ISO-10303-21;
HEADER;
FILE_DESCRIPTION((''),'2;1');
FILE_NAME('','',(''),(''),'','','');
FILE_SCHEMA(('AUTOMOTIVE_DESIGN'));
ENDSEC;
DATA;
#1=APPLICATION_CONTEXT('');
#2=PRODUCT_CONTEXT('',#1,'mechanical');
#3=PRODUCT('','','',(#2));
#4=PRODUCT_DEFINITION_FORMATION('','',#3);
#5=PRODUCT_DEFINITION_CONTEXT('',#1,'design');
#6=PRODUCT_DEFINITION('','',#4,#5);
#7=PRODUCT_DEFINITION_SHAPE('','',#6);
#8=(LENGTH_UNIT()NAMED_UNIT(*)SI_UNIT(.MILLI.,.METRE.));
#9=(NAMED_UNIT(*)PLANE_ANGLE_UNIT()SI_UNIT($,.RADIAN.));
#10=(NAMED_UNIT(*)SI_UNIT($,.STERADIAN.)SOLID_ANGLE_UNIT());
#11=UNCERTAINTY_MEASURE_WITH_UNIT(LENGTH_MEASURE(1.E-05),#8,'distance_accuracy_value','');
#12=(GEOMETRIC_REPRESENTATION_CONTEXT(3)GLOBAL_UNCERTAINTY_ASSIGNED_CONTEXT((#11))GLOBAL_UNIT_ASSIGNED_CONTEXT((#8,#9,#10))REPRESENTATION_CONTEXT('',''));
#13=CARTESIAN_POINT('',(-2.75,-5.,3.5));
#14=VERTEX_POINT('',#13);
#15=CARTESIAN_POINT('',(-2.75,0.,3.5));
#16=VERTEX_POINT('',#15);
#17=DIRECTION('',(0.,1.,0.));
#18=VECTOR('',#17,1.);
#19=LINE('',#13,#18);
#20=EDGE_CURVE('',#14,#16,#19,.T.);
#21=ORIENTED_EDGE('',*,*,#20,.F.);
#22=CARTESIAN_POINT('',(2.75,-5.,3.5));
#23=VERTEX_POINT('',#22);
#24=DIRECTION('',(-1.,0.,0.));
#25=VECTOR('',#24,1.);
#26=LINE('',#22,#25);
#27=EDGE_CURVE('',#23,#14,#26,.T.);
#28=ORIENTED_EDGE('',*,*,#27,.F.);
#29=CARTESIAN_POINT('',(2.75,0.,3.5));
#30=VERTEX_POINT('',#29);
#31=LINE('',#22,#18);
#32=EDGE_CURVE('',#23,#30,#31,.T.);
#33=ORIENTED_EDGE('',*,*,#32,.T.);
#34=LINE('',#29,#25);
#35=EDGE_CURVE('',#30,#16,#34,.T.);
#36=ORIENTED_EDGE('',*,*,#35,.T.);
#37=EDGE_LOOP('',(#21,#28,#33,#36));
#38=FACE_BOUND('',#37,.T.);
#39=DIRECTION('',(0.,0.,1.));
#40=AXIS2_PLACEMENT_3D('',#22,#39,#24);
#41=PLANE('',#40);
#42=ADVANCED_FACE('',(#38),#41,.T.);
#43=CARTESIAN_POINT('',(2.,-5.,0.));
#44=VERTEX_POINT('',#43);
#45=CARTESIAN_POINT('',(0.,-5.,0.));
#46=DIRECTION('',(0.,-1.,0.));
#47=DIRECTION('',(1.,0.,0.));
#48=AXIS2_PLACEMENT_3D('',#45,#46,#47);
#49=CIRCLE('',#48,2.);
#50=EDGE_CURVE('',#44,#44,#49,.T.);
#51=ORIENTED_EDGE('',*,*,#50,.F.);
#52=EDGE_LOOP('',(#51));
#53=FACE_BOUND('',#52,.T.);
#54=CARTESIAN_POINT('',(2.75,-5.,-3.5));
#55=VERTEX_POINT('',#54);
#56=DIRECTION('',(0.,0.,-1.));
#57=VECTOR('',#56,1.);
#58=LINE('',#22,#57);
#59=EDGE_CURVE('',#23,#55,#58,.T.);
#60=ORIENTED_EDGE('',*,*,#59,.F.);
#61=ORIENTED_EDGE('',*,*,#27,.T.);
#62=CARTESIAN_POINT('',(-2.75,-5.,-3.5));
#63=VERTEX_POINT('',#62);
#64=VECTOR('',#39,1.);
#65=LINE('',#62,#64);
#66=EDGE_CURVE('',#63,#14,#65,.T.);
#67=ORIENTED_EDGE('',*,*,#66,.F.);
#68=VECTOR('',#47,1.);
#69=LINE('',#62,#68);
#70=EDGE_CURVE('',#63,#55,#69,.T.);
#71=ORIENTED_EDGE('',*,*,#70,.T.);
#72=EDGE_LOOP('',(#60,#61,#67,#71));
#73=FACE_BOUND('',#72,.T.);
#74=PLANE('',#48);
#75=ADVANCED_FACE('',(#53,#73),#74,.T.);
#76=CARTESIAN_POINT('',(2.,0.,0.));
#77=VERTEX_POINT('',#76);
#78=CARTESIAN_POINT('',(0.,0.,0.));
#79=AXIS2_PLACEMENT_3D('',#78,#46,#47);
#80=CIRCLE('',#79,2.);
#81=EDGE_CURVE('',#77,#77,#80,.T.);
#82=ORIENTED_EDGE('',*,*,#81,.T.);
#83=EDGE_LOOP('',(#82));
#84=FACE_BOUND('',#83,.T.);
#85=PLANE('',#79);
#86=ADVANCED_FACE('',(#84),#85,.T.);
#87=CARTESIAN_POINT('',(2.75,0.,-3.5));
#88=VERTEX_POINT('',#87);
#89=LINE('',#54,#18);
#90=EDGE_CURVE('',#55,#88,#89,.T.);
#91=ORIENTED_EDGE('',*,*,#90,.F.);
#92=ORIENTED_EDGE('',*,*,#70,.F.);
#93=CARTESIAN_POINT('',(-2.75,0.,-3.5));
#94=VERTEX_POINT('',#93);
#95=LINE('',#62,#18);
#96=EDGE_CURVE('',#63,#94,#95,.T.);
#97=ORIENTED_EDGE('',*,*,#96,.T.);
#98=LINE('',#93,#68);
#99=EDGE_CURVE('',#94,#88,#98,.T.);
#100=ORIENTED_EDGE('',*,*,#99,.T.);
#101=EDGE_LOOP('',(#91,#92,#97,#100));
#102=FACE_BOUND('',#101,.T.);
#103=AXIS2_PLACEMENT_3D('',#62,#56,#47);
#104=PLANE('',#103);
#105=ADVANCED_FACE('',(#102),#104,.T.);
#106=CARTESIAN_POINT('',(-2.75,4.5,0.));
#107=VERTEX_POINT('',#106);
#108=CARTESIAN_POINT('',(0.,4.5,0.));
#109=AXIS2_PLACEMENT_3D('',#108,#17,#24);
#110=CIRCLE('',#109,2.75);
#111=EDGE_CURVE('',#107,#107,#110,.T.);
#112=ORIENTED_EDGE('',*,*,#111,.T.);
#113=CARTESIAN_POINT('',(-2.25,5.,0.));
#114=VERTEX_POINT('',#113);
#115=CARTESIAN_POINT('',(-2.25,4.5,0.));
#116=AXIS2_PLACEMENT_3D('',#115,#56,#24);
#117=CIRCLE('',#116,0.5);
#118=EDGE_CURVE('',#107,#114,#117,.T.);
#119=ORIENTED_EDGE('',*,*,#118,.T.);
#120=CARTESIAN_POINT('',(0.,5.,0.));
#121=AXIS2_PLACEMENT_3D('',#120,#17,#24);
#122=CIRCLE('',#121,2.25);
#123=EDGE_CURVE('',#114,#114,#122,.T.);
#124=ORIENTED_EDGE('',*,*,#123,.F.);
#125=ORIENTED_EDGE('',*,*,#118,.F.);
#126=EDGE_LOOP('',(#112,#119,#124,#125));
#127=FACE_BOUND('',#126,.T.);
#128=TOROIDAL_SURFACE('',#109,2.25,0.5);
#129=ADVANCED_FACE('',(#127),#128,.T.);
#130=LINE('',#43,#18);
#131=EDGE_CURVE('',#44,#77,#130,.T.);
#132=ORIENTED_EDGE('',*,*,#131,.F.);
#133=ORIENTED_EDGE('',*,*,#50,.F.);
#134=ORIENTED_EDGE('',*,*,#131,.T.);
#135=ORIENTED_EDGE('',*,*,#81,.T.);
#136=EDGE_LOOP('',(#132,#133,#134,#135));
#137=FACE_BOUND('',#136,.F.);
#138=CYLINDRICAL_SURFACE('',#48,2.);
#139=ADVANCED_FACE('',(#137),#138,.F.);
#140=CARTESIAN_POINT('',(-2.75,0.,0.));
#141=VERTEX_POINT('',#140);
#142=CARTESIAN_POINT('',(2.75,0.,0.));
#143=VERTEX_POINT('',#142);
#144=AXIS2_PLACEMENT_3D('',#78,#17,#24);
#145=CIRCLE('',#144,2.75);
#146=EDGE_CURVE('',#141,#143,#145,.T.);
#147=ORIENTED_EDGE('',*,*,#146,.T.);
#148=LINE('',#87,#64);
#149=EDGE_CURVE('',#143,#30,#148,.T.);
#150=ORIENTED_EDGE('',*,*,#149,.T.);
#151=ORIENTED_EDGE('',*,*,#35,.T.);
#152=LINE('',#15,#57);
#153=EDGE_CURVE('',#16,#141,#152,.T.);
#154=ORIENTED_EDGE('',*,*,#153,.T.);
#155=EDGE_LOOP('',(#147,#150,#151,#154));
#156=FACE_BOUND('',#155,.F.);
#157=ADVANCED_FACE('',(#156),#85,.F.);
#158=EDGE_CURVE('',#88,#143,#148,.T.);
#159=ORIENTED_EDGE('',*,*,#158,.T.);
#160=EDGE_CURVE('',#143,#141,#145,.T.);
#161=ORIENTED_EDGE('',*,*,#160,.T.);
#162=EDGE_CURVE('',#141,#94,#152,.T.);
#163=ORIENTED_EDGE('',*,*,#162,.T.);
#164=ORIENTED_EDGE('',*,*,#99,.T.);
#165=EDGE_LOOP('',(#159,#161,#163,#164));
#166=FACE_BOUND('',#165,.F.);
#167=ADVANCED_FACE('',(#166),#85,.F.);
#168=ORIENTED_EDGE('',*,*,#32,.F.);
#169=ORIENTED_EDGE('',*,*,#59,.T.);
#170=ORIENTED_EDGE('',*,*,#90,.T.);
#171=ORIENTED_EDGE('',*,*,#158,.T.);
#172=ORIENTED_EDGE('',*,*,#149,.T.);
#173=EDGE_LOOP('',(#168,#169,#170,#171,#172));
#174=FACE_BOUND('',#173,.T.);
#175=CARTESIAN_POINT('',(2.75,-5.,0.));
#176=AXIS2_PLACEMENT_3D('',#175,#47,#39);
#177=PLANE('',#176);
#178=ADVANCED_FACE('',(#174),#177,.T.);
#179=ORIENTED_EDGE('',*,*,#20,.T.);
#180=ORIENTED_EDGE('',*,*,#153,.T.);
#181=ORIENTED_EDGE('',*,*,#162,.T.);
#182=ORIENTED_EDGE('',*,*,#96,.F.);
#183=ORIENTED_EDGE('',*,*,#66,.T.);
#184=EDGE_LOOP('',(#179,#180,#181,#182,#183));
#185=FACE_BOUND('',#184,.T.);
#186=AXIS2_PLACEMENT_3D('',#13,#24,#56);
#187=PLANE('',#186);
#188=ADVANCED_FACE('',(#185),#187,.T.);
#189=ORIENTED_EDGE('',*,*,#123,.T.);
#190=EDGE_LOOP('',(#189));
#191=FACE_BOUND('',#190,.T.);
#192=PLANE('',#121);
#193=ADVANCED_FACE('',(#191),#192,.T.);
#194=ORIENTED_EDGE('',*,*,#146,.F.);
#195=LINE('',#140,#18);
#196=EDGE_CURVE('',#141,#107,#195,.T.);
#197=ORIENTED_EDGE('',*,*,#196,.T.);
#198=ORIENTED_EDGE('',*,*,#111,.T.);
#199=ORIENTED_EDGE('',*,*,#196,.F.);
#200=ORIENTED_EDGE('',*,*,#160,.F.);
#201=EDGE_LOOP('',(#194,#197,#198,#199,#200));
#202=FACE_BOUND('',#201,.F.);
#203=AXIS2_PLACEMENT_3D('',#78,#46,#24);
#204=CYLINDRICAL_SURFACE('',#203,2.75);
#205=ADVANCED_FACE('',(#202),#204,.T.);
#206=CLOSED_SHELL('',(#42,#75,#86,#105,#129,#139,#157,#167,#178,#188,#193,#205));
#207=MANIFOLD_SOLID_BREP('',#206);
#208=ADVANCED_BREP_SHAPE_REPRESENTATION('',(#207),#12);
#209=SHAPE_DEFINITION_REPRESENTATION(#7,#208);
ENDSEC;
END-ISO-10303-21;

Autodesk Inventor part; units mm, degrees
ref_plane "YZ Plane" through (0, 0, 0) normal (1, 0, 0) x (0, 1, 0)
ref_plane "XZ Plane" through (0, 0, 0) normal (0, 1, 0) x (-1, 0, 0)
ref_plane "XY Plane" through (0, 0, 0) normal (0, 0, 1) x (1, 0, 0)
sketch "Esquisse1" plane through (0, 0, 0) normal (0, 1, 0) x (-1, 0, 0)
  circle A0 centre (0, 0) radius 2.75
  dimension "d0" = 5.5
extrude "Extrusion1" add sketch "Esquisse1" along normal mid plane 10
sketch "Esquisse2" plane through (0, -5, 0) normal (0, -1, 0) x (1, 0, 0)
  circle A0 centre (0, 0) radius 2
  dimension "d3" = 4
extrude "Extrusion2" cut sketch "Esquisse2" against normal blind 5
fillet "Congé1" radius 0.5 1 edges at (2.75, 5, 0)
sketch "Esquisse3" plane through (0, -5, 0) normal (0, -1, 0) x (1, 0, 0)
  line L0 (9.7978, 4.7343) -> (6.189, 4.7343)
  line L1 (6.189, 4.7343) -> (6.189, -4.7343)
  line L2 (6.189, -4.7343) -> (9.7978, -4.7343)
  line L3 (9.7978, -4.7343) -> (9.7978, 4.7343)
  circle A0 centre (0, 0) radius 2.75 projected
  line L4 (2.75, 0) -> (-2.75, 0) construction
  line L5 (9.7978, 0) -> (6.189, 0) construction
  line L6 (2.75, 3.5) -> (-2.75, 3.5)
  line L7 (-2.75, 3.5) -> (-2.75, -3.5)
  line L8 (-2.75, -3.5) -> (2.75, -3.5)
  line L9 (2.75, -3.5) -> (2.75, 3.5)
  line L10 (2.75, 0) -> (-2.75, 0) construction
  dimension "d7" = 5.5
  dimension "d8" = 5.5
  dimension "d9" = 7
extrude "Extrusion3" add sketch "Esquisse3" against normal blind 5 contours L9 L8 L7 A0 | A0 L7 L6 L9
equation "\"d8\" = d7"
properties part number "button"
